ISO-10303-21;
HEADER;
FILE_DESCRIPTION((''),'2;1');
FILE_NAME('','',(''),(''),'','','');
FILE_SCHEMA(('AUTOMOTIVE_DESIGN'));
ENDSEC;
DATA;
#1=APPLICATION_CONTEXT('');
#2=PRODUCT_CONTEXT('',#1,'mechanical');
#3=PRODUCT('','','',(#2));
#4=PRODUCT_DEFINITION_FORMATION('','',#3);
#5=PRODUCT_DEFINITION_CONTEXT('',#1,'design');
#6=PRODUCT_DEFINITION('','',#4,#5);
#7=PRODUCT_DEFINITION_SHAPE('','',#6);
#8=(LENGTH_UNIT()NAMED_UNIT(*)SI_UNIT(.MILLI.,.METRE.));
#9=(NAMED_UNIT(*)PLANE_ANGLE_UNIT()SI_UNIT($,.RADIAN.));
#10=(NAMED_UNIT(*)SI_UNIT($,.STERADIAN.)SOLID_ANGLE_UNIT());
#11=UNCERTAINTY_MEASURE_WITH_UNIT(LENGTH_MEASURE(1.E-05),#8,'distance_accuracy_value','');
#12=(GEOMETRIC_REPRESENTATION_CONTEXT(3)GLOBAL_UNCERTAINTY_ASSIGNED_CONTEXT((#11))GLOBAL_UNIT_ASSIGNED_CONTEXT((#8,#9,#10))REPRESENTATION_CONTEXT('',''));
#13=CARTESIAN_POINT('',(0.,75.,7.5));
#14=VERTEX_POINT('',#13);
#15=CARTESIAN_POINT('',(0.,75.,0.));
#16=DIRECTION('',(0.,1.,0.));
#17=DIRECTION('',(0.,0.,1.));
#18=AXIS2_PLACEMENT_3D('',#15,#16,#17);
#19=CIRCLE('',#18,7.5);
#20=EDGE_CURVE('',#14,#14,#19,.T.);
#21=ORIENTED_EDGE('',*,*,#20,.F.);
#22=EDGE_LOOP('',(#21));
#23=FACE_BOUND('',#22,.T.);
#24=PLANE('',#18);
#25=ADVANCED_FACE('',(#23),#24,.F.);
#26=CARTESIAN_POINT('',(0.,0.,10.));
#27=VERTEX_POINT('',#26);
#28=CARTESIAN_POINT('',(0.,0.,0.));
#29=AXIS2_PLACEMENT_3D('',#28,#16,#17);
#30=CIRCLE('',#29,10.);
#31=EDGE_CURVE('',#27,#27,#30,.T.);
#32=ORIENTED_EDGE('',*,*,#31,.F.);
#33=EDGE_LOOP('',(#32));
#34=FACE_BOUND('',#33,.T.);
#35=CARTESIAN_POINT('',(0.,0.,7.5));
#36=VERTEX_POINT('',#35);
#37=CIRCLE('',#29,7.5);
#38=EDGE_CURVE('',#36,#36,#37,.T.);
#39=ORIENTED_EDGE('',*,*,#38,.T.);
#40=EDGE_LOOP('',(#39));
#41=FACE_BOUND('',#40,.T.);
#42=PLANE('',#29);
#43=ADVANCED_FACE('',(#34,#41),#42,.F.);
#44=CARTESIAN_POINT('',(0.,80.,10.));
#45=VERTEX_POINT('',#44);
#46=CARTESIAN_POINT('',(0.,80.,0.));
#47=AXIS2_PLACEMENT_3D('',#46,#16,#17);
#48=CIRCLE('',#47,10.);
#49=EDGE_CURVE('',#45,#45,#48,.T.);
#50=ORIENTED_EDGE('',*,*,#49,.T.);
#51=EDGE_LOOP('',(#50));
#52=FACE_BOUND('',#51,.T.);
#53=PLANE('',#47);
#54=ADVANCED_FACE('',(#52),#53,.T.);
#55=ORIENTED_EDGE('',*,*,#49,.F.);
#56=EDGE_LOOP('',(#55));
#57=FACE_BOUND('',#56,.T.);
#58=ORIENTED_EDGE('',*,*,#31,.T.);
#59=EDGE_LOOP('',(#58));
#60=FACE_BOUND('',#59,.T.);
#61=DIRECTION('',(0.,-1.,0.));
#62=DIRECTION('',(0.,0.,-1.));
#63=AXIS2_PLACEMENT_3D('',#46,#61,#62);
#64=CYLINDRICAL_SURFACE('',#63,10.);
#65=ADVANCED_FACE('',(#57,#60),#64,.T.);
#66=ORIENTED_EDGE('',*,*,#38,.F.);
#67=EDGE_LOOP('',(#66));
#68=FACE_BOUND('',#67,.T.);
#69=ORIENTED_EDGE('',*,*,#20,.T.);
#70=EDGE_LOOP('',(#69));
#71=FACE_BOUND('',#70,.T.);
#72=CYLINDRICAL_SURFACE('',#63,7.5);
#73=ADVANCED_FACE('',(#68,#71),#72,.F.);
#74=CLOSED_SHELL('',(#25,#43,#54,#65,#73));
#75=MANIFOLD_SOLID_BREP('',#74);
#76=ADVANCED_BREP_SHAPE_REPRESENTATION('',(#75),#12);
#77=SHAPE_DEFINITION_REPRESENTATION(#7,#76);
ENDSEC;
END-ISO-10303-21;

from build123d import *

# Parameters (mm, degrees)
SKETCH1_R           = 10
SKETCH1_R_2         = 7.5
BOSS_EXTRUDE1_DEPTH = 80
SKETCH2_R           = 7.5
BOSS_EXTRUDE2_DEPTH = 5


with BuildPart() as part:
    # Sketch1 → Boss-Extrude1 (new body)
    with BuildSketch(Plane(origin=(0, 0, 0), x_dir=(1, 0, 0), z_dir=(0, 1, 0))):
        Circle(SKETCH1_R)
        Circle(SKETCH1_R_2, mode=Mode.SUBTRACT)
    extrude(amount=BOSS_EXTRUDE1_DEPTH)

    # Sketch2 → Boss-Extrude2 (add)
    with BuildSketch(Plane(origin=(0, 80, 0), x_dir=(1, 0, 0), z_dir=(0, 1, 0))):
        Circle(SKETCH2_R)
    extrude(amount=-BOSS_EXTRUDE2_DEPTH)


solid = part.part
